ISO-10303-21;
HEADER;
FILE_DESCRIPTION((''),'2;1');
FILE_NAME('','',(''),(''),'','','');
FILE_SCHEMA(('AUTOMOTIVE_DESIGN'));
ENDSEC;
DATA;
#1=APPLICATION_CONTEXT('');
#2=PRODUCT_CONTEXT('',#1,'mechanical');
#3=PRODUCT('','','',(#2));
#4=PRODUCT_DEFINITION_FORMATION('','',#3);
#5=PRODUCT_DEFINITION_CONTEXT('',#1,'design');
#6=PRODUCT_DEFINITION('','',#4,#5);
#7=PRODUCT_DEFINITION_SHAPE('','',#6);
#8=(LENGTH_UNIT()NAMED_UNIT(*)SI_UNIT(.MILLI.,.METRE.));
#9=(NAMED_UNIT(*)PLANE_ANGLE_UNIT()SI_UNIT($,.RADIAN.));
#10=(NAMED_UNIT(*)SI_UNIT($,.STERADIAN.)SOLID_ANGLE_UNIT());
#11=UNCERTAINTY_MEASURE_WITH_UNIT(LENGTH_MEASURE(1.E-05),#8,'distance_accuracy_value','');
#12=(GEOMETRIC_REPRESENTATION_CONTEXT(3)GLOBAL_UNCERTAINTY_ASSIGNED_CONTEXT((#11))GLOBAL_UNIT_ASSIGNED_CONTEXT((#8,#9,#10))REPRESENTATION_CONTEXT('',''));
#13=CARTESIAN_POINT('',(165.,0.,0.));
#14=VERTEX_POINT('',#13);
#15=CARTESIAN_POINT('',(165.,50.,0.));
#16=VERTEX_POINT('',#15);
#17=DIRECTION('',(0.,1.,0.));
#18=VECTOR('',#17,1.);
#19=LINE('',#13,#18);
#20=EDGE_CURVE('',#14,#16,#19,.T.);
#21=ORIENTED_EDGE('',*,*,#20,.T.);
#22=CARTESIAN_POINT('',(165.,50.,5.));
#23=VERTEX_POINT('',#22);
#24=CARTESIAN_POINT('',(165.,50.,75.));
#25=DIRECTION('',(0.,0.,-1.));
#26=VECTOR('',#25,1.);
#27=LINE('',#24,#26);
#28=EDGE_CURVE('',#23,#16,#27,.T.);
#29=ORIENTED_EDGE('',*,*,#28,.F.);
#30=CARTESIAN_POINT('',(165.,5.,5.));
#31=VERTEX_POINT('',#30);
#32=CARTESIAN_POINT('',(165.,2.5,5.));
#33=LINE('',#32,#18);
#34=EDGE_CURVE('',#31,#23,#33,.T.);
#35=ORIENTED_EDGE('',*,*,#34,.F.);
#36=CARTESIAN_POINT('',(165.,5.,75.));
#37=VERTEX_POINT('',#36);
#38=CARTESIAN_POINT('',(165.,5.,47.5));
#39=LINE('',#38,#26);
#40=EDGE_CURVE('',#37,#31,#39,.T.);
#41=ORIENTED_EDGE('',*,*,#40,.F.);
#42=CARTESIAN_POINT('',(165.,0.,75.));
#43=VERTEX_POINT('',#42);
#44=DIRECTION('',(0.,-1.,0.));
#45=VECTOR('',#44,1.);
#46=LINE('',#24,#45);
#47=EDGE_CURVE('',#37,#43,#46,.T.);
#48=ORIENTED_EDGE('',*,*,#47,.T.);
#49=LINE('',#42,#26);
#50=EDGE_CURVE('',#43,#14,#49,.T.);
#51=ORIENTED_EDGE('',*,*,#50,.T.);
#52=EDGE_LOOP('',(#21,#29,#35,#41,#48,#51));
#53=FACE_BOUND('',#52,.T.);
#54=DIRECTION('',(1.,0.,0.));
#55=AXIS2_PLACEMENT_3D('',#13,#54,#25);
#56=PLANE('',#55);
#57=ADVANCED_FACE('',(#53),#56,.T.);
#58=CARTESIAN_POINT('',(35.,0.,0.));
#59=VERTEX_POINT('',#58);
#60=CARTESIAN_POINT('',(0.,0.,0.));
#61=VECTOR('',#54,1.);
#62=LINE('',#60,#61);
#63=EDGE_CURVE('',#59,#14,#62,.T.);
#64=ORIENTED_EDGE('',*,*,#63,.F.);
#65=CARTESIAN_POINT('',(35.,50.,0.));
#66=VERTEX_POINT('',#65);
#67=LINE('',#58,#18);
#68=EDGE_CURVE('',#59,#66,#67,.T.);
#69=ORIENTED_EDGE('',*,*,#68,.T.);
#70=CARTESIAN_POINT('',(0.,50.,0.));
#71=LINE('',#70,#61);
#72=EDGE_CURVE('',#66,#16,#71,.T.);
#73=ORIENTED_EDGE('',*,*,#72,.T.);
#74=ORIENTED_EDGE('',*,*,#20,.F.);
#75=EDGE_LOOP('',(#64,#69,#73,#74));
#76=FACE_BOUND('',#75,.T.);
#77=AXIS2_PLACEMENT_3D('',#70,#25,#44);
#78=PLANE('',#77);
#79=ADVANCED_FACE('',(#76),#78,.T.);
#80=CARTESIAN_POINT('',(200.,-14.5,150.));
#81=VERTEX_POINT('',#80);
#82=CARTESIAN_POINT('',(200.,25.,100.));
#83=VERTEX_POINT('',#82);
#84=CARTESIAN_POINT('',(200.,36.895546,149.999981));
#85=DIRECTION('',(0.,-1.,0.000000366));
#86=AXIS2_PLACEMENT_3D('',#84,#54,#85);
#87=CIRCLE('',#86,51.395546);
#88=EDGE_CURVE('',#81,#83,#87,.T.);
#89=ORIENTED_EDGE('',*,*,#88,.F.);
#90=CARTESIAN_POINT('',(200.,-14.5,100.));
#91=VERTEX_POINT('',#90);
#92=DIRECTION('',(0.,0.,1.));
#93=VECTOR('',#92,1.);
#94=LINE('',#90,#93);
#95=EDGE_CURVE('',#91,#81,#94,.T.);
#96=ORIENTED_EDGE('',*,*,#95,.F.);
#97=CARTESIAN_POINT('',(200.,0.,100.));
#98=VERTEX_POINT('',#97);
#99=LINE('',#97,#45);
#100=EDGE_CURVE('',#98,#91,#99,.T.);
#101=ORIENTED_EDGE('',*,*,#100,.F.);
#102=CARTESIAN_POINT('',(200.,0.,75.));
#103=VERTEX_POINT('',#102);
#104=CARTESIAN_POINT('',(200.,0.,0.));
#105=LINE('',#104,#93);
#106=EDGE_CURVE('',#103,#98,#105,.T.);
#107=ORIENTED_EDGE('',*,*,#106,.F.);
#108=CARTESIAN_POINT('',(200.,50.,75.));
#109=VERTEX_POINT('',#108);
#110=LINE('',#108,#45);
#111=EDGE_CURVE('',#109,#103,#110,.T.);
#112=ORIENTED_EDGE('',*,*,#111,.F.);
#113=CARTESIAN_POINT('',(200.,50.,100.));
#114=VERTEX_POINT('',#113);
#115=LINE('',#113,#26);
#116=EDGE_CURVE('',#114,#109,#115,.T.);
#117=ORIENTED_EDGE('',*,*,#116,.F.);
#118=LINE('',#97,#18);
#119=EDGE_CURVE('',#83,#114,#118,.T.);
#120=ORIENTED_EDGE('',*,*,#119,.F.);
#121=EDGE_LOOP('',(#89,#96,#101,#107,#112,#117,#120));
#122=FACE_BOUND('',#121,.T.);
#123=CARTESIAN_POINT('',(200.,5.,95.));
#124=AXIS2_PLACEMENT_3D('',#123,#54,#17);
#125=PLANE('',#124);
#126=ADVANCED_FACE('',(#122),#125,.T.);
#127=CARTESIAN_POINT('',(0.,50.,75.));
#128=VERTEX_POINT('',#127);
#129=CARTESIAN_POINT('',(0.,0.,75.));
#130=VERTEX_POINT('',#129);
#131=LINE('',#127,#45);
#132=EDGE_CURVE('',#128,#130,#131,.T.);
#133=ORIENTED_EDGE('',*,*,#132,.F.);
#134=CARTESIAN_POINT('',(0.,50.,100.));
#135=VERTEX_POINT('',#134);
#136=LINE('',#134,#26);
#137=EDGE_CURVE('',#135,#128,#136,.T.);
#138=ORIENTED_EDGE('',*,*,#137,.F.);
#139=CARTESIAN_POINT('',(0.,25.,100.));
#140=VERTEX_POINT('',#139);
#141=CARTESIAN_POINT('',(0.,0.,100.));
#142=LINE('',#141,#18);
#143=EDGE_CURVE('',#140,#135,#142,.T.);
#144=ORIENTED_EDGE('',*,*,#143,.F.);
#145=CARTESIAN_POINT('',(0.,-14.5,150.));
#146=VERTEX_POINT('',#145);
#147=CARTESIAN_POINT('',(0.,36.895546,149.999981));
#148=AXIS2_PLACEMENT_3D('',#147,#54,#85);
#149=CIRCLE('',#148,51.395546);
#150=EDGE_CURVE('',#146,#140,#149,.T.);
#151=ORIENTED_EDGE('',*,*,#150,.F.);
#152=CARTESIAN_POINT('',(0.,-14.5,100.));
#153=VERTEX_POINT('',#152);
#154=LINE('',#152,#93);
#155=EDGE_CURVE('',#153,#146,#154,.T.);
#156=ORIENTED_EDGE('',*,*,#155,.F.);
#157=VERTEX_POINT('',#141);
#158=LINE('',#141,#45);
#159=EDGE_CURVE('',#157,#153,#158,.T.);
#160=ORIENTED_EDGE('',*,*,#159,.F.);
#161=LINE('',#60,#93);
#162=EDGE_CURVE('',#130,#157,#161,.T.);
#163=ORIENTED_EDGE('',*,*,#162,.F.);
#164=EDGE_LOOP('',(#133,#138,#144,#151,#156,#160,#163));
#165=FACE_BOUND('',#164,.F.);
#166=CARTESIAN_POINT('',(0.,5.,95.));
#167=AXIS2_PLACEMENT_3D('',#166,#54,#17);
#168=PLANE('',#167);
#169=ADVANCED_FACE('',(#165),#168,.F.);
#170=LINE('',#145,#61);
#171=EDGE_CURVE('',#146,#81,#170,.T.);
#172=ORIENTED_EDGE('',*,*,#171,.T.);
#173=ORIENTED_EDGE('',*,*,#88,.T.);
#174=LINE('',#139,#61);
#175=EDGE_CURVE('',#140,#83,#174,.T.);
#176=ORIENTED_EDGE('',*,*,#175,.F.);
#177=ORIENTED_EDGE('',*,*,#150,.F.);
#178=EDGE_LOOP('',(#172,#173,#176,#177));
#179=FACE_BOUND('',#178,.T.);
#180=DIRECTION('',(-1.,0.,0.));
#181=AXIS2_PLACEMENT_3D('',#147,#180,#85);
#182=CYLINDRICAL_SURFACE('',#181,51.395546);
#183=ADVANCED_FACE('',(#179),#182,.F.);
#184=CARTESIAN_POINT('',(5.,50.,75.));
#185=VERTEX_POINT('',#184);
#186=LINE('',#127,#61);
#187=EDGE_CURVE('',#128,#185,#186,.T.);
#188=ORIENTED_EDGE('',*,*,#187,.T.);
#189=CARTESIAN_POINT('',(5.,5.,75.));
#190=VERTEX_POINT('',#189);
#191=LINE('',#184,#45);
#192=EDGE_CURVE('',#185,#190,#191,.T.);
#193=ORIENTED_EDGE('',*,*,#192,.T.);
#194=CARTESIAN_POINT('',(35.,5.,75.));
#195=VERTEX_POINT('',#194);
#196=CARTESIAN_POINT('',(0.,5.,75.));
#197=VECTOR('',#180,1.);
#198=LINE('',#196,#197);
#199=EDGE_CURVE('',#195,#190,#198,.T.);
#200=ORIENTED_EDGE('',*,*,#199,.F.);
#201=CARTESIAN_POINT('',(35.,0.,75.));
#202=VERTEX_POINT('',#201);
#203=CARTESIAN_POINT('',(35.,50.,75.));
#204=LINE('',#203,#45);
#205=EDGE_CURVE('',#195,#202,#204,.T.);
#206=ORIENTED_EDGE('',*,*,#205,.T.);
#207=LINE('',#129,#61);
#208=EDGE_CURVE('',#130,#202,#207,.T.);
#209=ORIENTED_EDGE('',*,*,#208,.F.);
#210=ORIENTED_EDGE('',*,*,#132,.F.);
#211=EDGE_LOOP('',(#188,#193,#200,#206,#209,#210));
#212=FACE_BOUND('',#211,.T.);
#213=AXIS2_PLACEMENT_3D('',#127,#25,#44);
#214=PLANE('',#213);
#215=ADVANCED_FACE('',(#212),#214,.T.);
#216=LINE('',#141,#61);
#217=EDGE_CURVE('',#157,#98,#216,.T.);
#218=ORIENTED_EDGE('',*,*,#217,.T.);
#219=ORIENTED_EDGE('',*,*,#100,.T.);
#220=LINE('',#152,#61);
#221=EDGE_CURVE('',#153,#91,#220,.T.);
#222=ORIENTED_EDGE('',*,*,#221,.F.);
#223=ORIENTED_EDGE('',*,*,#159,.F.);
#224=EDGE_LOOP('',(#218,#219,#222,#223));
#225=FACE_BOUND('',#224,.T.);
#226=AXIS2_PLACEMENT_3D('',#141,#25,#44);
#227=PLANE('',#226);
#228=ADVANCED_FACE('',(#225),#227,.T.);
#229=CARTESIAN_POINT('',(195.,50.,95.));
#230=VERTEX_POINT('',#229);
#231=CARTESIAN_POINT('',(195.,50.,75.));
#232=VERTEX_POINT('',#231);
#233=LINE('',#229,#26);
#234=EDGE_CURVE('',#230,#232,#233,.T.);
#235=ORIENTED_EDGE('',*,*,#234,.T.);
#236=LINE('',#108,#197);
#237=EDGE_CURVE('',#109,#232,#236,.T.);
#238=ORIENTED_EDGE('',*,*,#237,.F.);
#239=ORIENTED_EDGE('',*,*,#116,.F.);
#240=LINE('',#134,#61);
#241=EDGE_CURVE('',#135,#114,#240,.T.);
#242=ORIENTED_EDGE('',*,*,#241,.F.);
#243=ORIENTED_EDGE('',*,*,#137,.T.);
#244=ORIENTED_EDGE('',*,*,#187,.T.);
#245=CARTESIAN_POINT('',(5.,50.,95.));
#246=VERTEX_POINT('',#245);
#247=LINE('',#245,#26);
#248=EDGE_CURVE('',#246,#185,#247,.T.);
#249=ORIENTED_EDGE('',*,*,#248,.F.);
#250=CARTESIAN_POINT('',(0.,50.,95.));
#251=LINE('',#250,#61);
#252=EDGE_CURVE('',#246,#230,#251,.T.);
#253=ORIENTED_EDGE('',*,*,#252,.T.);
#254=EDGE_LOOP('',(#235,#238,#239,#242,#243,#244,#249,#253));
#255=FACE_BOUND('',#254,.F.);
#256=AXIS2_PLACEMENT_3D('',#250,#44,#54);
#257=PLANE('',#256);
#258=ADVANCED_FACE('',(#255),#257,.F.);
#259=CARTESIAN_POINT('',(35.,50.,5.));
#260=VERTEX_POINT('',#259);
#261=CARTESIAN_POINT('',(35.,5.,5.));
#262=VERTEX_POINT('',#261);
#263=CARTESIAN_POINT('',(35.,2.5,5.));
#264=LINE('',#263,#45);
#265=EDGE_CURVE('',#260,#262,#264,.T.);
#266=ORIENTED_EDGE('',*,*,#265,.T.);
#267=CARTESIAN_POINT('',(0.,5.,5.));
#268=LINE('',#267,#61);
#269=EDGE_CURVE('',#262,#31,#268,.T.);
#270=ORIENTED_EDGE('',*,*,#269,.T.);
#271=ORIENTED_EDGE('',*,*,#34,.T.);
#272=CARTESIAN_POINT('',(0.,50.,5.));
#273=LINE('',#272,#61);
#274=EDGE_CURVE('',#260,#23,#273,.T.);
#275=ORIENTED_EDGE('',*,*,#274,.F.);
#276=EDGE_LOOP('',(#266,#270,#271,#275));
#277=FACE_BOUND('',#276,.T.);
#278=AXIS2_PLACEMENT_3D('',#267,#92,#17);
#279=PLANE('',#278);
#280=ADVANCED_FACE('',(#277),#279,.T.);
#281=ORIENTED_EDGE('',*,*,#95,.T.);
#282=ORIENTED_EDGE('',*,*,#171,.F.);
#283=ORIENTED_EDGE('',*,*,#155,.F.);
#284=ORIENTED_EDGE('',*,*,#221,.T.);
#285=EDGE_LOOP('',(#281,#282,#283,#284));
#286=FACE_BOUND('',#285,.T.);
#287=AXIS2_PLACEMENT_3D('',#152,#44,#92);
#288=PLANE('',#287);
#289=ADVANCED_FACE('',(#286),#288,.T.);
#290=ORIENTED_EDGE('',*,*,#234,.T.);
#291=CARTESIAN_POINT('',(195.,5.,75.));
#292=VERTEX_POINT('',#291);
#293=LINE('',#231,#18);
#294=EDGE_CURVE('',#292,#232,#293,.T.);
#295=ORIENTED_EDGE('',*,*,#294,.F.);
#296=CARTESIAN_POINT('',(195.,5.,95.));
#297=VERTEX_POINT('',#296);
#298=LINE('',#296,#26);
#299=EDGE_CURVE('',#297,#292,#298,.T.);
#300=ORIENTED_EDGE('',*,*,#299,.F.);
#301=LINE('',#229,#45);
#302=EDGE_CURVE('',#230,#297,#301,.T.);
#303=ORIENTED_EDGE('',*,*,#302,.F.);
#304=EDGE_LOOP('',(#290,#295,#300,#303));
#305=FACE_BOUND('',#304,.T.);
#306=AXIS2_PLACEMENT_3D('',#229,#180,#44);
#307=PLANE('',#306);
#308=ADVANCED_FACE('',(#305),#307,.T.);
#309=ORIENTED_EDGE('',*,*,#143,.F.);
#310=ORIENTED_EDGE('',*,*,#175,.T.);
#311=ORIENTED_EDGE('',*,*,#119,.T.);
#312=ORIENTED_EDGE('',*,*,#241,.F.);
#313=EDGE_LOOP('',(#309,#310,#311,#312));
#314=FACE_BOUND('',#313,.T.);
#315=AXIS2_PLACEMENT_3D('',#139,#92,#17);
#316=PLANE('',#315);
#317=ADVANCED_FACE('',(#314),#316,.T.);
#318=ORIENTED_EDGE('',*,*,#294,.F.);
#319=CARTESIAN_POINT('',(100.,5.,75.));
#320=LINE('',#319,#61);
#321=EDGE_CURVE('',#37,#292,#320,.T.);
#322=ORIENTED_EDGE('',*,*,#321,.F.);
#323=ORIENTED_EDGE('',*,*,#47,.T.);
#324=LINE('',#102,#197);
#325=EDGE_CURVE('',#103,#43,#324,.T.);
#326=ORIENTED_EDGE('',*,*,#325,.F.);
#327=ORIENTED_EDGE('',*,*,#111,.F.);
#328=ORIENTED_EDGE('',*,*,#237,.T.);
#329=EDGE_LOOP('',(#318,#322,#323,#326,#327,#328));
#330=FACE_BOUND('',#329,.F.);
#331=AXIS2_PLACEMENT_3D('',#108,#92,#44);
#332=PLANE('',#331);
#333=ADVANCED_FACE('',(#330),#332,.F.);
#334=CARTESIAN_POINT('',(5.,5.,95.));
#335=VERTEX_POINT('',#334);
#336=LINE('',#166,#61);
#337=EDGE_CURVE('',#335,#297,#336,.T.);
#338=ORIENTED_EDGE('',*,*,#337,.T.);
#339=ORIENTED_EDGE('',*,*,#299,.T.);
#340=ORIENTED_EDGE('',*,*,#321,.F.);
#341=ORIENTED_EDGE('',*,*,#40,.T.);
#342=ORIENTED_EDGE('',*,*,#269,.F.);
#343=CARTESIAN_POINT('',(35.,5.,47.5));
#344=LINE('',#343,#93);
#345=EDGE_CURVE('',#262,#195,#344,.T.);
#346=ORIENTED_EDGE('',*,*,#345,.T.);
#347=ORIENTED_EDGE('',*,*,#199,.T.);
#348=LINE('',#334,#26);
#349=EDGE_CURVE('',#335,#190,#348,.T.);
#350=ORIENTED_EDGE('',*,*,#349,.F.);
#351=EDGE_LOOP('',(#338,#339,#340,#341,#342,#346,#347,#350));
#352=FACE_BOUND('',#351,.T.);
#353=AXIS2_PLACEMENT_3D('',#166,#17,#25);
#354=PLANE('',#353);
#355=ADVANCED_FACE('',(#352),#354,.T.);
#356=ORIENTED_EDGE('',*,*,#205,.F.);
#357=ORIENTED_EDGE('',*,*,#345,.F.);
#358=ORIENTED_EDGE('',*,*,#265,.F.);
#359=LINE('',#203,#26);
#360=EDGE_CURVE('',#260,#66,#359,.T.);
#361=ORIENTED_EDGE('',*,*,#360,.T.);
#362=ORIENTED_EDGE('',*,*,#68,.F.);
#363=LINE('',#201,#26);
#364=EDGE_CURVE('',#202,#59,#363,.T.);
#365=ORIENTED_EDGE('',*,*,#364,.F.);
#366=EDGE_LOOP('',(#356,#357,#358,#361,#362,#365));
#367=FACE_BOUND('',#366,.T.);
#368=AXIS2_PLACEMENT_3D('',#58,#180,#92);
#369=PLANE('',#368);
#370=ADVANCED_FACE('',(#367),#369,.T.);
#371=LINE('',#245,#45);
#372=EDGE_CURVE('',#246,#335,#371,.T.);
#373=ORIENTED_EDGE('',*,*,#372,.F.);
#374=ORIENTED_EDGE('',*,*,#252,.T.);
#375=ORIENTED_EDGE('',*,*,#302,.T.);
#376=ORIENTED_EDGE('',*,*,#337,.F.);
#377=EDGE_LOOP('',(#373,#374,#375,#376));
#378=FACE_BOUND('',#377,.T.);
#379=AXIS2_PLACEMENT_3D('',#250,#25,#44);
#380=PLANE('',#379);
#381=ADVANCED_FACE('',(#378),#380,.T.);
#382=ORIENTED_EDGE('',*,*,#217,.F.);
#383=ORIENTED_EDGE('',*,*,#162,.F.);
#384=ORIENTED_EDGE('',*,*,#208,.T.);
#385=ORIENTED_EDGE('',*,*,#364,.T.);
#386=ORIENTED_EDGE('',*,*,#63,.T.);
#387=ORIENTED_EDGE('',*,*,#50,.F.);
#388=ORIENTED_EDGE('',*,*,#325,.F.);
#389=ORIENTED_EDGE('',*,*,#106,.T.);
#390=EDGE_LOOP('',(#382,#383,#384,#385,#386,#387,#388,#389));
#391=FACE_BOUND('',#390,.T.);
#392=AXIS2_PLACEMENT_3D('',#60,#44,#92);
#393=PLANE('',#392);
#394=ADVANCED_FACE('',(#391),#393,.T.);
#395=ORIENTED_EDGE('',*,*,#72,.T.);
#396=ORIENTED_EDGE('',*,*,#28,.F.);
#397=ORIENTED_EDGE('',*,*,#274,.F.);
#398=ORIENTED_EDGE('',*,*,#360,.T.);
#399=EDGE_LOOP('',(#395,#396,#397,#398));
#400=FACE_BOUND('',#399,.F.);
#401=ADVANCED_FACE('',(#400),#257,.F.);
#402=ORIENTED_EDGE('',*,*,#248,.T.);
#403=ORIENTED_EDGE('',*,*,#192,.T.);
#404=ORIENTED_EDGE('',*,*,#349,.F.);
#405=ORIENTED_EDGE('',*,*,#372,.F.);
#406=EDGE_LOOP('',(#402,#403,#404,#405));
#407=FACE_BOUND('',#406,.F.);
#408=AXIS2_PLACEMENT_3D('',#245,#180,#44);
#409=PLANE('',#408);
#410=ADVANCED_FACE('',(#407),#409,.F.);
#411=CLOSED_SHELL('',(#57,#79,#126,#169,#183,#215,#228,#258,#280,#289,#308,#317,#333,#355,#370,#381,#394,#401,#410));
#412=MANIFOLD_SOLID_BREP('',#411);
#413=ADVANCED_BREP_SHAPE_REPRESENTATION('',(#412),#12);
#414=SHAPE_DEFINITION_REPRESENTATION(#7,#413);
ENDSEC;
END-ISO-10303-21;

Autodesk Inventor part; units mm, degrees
ref_plane "YZ Plane" through (0, 0, 0) normal (1, 0, 0) x (0, 1, 0)
ref_plane "XZ Plane" through (0, 0, 0) normal (0, 1, 0) x (-1, 0, 0)
ref_plane "XY Plane" through (0, 0, 0) normal (0, 0, 1) x (1, 0, 0)
sketch "Sketch6" plane through (0, 0, 0) normal (1, 0, 0) x (0, 1, 0)
  line L0 (0, 0) -> (0, 100)
  line L1 (0, 100) -> (50, 100)
  line L2 (50, 100) -> (50, 95)
  line L3 (50, 95) -> (5, 95)
  line L4 (5, 95) -> (5, 5)
  line L5 (5, 5) -> (50, 5)
  line L6 (50, 5) -> (50, 0)
  line L7 (50, 0) -> (0, 0)
  line L8 (0, 100) -> (-14.5, 100)
  line L9 (-14.5, 100) -> (-14.5, 150)
  arc A0 (-14.5, 150) -> (25, 100) centre (36.8956, 150) ccw
  dimension "d66" = 14.5
  dimension "d67" = 50
  dimension "d68" = 50
  dimension "d69" = 45
  dimension "d87" = 90
extrude "Extrusion6" add sketch "Sketch6" along normal blind 200
sketch "Sketch7" plane through (0, 5, 95) normal (0, 0, -1) x (-1, 0, 0)
  line L0 (0, 45) -> (-200, 45) projected
  line L1 (0, 0) -> (-200, 0) projected
  line L2 (-200, 45) -> (-195, 45)
  line L3 (-195, 45) -> (-195, 0)
  line L4 (-195, 0) -> (-200, 0)
  line L5 (-200, 0) -> (-200, 45)
  point P0 (0, -5)
  dimension "d52" = 5
extrude "Extrusion7" add sketch "Sketch7" along normal blind 90
sketch "Sketch8" plane through (0, 5, 95) normal (0, 0, -1) x (-1, 0, 0)
  line L0 (0, 45) -> (-195, 45) projected
  line L1 (0, 0) -> (-195, 0) projected
  line L2 (0, 45) -> (-5, 45)
  line L3 (-5, 45) -> (-5, 0)
  line L4 (-5, 0) -> (0, 0)
  line L5 (0, 0) -> (0, 45)
  point P0 (0, -5)
  dimension "d55" = 5
extrude "Extrusion8" add sketch "Sketch8" along normal blind 90
sketch "Sketch9" plane through (200, 0, 0) normal (1, 0, 0) x (0, 0, -1)
  line L0 (0, 0) -> (0, 50) projected
  line L1 (-100, 0) -> (0, 0) projected
  line L2 (0, 50) -> (-75, 50)
  line L3 (-75, 50) -> (-75, 0)
  line L4 (-75, 0) -> (0, 0)
  line L5 (0, 0) -> (0, 50)
  circle A0 centre (-35, 18) radius 33.5
  dimension "d95" = 75
  dimension "d96" = 67
extrude "Extrusion9" cut sketch "Sketch9" against normal blind 35 contours L1 A0 L2 L0 | L1 A0 L2 | L1 L3 L2 A0
sketch "Sketch10" plane through (0, 0, 0) normal (-1, 0, 0) x (0, 0, 1)
  line L0 (0, 50) -> (100, 50) projected
  line L1 (100, 0) -> (0, 0) projected
  line L2 (0, 50) -> (75, 50)
  line L3 (75, 50) -> (75, 0)
  line L4 (75, 0) -> (0, 0)
  line L5 (0, 0) -> (0, 50)
  circle A0 centre (35, 18) radius 33.5
  dimension "d94" = 75
  dimension "d97" = 67
extrude "Extrusion10" cut sketch "Sketch10" against normal blind 35 contours L0 A0 L1 L5 | L0 A0 L1 | L0 L3 L1 A0
properties part number "intro 2 robot"
